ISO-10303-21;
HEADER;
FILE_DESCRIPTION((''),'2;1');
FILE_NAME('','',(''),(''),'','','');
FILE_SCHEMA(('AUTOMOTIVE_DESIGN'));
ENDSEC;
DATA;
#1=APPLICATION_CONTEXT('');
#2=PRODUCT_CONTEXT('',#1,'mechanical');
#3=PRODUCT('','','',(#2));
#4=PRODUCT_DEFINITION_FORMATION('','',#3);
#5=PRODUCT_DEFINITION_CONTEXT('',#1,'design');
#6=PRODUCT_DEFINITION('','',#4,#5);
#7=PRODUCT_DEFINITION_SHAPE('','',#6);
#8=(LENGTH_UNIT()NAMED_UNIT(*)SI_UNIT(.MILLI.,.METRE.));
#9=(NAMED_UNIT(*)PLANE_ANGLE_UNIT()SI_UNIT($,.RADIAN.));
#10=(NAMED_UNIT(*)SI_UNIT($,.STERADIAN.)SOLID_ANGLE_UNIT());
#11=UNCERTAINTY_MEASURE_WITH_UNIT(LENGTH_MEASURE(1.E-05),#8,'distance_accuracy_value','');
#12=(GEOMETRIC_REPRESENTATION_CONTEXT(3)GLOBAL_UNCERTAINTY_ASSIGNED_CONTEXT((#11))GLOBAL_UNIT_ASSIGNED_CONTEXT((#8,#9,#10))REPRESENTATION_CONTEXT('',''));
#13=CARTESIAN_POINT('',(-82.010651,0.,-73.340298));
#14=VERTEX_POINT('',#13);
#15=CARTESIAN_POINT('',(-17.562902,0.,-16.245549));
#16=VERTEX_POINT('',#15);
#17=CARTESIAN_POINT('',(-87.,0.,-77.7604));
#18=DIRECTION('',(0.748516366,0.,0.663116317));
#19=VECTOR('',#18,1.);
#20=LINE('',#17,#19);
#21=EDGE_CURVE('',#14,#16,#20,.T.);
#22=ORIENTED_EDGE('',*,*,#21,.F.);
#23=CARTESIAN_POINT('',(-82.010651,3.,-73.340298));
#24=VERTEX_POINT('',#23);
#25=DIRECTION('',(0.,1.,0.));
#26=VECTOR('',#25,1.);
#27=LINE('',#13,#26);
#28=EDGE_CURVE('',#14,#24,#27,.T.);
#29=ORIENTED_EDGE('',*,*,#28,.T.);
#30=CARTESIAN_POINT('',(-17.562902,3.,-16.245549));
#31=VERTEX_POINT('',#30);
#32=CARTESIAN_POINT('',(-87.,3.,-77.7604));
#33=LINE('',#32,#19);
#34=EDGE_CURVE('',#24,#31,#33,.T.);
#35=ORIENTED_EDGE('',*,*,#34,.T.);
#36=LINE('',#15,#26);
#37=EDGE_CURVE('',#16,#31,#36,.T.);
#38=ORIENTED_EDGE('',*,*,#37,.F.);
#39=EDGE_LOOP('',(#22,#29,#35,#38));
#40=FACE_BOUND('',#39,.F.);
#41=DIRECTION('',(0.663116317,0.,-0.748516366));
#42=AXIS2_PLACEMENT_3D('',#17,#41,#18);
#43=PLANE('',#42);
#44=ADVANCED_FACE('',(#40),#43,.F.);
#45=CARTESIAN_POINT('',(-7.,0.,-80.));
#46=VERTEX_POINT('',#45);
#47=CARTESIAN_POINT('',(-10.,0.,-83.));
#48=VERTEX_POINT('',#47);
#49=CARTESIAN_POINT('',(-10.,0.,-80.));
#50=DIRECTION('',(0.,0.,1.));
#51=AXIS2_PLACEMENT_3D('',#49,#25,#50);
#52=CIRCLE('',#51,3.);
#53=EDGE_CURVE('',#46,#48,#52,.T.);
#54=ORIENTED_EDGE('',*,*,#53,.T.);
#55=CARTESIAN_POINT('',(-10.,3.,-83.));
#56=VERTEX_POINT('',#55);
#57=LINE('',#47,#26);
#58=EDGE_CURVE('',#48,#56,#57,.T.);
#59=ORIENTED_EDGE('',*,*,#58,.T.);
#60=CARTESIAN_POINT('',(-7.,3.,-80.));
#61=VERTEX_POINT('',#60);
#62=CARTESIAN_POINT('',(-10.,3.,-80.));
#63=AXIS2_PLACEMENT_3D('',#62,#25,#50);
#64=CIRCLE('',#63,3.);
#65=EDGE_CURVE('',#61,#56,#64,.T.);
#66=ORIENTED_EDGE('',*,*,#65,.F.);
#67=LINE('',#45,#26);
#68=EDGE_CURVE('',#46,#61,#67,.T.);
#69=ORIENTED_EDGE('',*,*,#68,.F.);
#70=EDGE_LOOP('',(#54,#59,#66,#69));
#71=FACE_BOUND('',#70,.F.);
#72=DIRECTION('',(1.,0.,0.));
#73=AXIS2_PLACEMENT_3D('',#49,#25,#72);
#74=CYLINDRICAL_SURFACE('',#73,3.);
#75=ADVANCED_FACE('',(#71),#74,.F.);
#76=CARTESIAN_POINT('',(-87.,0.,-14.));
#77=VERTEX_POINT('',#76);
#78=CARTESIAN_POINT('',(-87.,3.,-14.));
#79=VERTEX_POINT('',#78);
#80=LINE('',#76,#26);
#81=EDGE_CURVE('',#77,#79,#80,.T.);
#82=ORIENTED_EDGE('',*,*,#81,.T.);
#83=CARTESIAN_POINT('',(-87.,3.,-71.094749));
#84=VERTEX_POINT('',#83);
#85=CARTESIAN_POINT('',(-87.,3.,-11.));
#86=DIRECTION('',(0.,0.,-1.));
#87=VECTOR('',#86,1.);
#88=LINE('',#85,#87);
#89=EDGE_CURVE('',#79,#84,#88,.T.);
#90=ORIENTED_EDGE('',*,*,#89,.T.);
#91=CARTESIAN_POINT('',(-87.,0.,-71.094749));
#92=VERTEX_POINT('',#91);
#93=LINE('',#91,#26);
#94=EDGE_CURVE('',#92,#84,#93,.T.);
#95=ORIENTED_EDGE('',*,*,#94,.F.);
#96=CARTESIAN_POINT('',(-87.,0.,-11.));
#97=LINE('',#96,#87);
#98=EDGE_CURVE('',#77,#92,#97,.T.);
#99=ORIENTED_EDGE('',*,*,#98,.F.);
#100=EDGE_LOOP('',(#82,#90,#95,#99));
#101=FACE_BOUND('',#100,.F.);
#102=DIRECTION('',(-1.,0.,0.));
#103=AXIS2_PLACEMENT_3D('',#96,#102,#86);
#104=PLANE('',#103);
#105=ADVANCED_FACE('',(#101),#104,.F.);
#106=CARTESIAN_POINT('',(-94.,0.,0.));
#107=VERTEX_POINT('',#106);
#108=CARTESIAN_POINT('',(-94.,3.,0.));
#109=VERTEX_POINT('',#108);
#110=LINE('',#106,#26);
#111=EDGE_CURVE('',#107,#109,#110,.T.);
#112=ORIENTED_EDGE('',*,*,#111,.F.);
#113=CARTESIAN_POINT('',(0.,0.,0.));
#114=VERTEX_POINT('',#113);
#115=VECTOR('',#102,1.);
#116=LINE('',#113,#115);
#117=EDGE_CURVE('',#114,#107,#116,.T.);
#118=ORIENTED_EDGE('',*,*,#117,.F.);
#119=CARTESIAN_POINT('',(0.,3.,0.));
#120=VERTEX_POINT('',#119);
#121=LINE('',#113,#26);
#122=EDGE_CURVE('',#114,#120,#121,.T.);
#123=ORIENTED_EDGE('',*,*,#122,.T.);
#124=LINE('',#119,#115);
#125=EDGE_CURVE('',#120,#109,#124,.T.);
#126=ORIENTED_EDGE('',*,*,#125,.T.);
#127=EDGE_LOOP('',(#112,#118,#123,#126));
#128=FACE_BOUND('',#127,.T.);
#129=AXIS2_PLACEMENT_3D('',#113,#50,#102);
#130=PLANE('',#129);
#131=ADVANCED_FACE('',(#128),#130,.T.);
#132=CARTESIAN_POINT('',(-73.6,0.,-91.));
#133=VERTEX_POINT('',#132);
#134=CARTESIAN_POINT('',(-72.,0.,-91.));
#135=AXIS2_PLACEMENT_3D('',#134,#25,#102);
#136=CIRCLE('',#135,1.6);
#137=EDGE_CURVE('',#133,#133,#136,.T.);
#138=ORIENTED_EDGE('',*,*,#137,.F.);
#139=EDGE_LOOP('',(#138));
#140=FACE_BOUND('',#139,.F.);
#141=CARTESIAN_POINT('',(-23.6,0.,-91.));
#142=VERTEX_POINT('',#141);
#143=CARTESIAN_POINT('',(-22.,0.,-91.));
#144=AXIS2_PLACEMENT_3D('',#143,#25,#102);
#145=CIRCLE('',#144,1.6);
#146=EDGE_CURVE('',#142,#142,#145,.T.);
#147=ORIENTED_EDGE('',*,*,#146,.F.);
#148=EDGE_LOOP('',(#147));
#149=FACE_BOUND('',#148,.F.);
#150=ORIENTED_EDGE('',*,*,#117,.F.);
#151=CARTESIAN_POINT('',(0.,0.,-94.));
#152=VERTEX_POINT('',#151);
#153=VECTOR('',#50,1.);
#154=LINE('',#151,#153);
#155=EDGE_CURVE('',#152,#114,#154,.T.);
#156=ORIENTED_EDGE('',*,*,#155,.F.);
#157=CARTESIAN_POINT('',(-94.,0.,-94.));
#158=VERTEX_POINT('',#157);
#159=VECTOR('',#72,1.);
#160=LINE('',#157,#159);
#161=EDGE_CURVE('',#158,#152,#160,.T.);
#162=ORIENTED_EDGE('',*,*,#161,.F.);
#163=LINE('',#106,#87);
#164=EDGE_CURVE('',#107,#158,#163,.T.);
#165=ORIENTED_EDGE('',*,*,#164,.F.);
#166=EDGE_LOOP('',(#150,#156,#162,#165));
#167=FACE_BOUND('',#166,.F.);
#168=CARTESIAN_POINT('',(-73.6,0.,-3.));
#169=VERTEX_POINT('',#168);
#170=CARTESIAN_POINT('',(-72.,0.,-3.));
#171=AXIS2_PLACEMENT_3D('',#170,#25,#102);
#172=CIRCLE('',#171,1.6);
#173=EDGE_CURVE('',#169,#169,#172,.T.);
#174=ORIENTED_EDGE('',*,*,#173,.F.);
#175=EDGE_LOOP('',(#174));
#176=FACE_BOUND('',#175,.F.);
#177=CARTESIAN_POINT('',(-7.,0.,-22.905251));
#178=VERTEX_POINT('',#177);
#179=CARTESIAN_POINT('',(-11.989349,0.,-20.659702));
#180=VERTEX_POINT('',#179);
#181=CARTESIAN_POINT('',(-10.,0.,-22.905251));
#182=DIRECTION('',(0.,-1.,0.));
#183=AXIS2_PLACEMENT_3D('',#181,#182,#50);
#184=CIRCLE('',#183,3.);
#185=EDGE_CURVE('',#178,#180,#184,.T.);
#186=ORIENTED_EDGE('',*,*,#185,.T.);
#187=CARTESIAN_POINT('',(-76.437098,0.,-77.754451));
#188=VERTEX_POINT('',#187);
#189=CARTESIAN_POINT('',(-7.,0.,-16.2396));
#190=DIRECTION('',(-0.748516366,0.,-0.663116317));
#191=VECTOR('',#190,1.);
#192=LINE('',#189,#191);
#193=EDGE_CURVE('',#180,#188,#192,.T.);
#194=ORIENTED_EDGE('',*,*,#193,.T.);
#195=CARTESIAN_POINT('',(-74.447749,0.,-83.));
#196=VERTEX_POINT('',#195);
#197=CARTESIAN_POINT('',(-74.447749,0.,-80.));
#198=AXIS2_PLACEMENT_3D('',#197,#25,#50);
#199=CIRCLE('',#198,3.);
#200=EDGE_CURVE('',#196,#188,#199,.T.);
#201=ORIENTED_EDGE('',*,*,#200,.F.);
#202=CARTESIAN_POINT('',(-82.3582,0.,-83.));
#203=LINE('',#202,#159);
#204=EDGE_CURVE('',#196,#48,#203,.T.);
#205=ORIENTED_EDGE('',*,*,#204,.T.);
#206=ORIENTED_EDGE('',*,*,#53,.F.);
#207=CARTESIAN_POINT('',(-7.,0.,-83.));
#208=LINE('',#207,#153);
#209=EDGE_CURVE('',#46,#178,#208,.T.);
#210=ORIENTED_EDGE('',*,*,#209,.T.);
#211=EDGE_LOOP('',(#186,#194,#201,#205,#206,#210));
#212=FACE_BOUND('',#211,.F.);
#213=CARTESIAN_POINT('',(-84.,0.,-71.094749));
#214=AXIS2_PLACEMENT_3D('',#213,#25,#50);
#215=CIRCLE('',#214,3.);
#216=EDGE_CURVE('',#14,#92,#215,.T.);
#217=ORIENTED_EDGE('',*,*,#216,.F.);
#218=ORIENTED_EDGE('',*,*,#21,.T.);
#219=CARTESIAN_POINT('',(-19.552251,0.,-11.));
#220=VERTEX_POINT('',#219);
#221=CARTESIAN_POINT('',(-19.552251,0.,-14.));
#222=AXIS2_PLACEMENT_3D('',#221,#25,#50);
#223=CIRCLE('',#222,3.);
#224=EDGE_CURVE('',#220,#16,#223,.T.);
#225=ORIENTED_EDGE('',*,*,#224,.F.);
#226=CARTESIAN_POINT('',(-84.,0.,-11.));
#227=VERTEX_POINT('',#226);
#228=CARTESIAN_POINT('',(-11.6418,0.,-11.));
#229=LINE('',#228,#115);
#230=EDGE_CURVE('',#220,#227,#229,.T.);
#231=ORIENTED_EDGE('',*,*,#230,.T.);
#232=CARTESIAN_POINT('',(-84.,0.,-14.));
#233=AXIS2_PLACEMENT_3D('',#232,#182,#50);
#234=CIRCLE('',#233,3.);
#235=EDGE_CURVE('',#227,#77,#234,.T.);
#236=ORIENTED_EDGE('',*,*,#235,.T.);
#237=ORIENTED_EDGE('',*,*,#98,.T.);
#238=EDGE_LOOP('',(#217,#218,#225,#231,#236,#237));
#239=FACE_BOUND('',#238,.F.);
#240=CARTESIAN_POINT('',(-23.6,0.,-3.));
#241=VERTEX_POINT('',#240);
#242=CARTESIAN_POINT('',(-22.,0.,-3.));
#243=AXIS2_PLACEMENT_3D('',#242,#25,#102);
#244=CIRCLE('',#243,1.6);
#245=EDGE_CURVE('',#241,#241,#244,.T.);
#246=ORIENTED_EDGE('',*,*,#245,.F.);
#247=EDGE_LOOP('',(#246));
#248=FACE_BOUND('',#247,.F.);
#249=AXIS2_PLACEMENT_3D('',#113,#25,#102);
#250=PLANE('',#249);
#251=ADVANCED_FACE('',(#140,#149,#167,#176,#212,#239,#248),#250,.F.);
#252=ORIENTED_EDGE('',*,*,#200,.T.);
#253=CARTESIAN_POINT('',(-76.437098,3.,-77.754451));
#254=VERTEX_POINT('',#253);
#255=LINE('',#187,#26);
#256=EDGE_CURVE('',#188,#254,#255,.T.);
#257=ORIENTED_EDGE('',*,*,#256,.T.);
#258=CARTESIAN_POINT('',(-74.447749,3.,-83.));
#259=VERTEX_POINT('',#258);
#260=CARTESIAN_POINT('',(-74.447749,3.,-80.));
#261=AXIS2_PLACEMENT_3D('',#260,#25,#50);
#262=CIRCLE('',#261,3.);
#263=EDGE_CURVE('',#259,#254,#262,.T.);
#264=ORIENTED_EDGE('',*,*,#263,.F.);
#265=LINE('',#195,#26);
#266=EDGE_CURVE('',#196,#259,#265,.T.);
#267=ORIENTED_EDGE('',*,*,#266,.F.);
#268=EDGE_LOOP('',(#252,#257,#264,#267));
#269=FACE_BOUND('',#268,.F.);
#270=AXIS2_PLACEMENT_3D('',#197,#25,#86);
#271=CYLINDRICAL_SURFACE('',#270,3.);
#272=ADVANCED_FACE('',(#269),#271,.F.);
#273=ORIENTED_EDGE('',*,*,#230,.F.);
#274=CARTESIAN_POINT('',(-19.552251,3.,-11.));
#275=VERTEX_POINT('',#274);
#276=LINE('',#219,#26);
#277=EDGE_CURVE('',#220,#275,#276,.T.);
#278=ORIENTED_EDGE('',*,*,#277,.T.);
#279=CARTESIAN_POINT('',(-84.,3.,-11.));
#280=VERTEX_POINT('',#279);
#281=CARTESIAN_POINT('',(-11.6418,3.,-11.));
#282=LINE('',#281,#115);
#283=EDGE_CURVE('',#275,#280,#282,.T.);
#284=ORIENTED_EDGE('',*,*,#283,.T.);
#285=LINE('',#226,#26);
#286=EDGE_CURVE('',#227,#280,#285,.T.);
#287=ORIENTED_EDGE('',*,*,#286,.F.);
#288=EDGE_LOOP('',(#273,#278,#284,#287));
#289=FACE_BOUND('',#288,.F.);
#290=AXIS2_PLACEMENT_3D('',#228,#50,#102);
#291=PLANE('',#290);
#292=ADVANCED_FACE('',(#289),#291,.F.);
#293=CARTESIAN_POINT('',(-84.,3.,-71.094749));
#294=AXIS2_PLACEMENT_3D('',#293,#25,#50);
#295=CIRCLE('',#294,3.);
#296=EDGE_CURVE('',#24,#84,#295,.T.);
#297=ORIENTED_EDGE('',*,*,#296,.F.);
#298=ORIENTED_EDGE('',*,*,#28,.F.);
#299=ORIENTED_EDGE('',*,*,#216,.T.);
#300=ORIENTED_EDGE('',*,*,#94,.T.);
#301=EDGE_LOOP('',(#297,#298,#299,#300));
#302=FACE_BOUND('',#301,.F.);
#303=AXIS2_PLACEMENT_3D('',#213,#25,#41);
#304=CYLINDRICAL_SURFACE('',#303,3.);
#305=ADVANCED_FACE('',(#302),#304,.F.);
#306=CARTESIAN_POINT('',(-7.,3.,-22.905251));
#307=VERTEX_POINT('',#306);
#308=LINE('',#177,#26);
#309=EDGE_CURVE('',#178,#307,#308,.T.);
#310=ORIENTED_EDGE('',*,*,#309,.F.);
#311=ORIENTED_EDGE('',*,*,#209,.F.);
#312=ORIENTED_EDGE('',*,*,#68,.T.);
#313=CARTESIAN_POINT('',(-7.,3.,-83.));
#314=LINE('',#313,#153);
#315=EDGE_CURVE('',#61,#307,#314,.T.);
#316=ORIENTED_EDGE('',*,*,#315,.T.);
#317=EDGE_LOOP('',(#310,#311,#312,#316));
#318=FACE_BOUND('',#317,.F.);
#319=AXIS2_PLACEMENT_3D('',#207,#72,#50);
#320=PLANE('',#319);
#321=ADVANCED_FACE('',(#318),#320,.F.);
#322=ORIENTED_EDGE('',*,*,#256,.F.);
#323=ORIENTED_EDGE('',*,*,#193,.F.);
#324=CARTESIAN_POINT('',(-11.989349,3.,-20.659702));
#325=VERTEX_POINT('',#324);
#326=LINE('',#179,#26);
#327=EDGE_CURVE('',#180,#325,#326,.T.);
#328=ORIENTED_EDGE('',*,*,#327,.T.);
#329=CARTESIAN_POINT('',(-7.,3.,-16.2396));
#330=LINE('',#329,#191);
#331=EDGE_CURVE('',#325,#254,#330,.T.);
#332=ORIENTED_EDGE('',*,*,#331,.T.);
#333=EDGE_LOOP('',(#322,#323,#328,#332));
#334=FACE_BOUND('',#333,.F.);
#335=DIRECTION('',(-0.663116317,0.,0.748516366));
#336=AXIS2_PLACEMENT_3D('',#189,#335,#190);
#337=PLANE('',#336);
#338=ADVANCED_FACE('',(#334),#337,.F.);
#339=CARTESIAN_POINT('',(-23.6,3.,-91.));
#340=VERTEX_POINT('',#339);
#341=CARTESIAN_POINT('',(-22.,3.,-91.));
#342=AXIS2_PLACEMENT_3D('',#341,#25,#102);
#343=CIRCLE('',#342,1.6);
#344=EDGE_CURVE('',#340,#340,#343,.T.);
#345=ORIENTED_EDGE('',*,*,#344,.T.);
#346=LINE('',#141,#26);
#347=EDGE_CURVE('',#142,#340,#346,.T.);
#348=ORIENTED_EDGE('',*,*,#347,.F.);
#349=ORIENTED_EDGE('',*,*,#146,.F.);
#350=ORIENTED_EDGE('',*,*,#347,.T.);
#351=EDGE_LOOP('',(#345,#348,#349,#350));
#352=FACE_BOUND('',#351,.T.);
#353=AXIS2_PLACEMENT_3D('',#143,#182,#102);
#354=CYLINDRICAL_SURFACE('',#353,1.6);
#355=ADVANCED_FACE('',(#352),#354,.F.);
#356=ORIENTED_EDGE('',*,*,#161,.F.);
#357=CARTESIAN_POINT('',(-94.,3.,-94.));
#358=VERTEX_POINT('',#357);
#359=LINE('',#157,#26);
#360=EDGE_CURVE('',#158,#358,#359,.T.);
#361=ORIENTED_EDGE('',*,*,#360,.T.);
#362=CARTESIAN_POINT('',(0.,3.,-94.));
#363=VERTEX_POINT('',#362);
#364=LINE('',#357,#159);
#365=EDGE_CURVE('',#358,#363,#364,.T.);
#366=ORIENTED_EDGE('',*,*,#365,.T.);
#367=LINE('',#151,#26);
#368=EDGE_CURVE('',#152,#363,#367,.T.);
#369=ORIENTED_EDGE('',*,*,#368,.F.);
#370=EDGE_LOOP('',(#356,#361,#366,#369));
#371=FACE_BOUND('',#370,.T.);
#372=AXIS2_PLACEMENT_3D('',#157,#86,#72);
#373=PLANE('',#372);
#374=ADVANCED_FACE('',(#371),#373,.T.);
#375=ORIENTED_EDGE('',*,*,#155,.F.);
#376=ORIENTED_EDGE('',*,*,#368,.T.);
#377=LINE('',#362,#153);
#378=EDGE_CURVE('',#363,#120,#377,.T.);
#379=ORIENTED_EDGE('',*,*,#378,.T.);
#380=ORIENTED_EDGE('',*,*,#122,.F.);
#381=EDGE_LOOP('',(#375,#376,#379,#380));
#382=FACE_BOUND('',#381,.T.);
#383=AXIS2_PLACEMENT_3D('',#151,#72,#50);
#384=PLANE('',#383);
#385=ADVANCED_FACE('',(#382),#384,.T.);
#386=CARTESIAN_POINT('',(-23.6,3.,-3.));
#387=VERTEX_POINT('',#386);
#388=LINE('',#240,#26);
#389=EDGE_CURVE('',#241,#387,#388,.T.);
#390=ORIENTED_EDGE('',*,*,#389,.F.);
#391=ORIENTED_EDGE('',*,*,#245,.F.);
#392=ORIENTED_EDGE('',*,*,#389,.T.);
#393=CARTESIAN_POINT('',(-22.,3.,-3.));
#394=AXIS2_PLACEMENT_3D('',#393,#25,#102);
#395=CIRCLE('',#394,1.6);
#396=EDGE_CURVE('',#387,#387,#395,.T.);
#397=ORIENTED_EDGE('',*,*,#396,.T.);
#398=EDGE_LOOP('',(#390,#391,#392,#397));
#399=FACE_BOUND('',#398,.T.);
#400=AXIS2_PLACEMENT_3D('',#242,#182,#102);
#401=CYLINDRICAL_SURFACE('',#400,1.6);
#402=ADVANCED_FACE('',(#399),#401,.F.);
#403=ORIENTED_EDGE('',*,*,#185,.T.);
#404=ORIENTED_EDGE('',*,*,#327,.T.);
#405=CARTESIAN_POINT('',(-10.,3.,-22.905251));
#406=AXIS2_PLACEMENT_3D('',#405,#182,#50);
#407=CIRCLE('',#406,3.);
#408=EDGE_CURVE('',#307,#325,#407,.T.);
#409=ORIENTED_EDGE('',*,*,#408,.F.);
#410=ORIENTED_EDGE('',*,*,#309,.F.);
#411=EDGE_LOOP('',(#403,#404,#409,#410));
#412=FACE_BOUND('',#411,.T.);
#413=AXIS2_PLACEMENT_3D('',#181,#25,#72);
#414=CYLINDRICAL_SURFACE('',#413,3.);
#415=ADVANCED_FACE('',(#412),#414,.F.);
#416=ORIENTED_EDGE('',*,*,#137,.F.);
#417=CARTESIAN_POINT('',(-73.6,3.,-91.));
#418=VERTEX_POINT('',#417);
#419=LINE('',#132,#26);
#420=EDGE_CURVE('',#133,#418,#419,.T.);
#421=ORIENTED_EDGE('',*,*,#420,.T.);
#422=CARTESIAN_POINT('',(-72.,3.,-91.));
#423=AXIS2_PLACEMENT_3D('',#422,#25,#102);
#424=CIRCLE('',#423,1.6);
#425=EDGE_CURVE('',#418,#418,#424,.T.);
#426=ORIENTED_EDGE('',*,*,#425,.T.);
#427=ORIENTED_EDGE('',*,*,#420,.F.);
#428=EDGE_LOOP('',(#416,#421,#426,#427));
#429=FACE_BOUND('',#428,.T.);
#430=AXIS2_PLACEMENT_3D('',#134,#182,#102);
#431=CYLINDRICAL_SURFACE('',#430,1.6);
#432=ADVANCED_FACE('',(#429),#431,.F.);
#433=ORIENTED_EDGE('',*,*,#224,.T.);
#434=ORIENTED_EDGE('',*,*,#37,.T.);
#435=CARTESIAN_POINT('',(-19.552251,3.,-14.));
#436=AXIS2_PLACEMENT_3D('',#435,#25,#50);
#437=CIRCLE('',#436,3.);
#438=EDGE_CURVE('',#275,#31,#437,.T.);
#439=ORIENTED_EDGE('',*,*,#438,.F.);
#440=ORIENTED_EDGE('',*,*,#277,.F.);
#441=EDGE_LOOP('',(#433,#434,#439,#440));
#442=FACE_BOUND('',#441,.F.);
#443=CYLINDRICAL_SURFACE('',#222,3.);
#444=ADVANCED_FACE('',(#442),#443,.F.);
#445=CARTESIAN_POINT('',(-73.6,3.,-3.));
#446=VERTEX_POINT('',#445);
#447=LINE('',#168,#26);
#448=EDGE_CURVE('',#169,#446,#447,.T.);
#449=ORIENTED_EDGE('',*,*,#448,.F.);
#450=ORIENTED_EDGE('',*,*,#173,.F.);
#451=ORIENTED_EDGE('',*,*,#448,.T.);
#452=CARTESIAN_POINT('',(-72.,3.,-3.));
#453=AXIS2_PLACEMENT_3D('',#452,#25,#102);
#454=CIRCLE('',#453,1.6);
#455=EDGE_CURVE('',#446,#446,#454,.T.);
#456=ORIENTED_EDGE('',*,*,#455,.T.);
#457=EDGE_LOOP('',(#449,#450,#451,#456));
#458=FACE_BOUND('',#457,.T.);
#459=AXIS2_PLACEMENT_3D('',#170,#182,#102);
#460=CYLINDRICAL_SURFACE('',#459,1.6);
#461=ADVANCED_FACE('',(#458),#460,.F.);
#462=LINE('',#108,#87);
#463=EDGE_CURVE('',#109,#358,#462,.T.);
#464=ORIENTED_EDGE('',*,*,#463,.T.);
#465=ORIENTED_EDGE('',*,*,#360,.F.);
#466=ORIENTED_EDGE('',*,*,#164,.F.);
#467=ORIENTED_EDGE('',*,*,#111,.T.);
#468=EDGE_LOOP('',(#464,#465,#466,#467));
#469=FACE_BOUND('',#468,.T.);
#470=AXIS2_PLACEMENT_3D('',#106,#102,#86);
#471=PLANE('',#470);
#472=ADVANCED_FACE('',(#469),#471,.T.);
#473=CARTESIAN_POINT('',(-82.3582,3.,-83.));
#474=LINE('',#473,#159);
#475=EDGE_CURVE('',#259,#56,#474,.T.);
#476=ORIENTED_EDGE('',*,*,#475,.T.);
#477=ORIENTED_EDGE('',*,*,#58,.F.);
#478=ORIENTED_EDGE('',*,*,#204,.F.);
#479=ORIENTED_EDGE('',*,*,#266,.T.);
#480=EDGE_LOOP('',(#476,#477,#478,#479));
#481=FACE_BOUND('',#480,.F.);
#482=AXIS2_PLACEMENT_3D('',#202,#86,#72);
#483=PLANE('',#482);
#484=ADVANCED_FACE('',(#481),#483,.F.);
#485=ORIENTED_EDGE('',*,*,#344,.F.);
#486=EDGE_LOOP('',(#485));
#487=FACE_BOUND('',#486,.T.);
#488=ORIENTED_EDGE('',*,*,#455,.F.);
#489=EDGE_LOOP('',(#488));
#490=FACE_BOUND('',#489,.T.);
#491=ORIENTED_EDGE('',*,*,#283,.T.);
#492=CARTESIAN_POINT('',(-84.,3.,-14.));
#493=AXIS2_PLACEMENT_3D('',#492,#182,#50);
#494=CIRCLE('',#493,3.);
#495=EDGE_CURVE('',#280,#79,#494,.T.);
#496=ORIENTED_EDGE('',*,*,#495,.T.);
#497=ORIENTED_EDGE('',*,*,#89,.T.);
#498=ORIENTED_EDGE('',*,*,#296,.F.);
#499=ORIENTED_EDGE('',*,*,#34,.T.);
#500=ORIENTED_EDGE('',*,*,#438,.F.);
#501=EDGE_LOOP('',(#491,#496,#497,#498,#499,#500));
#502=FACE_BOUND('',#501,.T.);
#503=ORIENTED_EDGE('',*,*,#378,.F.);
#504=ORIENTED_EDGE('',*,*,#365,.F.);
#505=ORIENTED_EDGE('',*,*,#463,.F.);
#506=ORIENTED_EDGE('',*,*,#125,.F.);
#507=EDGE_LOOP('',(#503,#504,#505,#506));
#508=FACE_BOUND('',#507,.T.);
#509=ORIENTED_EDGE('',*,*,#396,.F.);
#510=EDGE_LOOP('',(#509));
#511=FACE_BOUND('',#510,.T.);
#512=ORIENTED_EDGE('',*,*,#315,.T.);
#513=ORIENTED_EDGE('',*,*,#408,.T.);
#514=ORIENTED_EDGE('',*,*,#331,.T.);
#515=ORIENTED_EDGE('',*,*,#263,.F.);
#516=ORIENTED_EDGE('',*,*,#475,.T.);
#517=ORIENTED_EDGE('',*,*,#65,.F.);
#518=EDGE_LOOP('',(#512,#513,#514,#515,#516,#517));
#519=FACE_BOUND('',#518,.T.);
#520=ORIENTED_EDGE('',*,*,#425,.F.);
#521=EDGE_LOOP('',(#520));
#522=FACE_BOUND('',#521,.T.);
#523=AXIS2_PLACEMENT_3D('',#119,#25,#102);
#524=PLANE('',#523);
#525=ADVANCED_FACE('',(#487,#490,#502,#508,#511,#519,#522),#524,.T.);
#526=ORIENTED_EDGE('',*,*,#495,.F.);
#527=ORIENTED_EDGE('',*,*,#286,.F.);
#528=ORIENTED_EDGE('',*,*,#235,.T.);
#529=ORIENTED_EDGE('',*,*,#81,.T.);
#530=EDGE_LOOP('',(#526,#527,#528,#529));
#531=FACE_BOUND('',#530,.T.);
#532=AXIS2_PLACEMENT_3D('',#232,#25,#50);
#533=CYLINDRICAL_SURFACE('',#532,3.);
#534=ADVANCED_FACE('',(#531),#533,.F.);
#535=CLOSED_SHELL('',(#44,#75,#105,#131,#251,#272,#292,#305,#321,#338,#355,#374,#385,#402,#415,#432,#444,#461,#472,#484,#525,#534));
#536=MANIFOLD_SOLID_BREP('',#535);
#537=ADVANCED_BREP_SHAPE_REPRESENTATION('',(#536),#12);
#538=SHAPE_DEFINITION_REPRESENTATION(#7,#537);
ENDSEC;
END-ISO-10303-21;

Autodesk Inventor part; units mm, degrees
ref_plane "YZ Plane" through (0, 0, 0) normal (1, 0, 0) x (0, 1, 0)
ref_plane "XZ Plane" through (0, 0, 0) normal (0, 1, 0) x (-1, 0, 0)
ref_plane "XY Plane" through (0, 0, 0) normal (0, 0, 1) x (1, 0, 0)
sketch "Sketch1" plane through (0, 0, 0) normal (0, 1, 0) x (-1, 0, 0)
  line L0 (0, 0) -> (94, 0)
  line L1 (94, -94) -> (0, -94)
  line L2 (0, -94) -> (0, 0)
  line L3 (94, 0) -> (0, 0) construction
  line L4 (0, 0) -> (0, -6) construction
  line L5 (0, -6) -> (94, -6) construction
  line L6 (94, -6) -> (94, 0) construction
  line L7 (0, -94) -> (94, -94) construction
  line L8 (94, -94) -> (94, -88) construction
  line L9 (94, -88) -> (0, -88) construction
  line L10 (0, -88) -> (0, -94) construction
  line L11 (94, 0) -> (94, -94)
  circle A0 centre (72, -3) radius 1.6
  circle A1 centre (22, -3) radius 1.6
  circle A2 centre (72, -91) radius 1.6
  circle A3 centre (22, -91) radius 1.6
  line L12 (87, -11) -> (87, -77.7604)
  line L13 (87, -77.7604) -> (11.6418, -11)
  line L14 (11.6418, -11) -> (87, -11)
  line L15 (7, -16.2396) -> (82.3582, -83)
  line L16 (82.3582, -83) -> (7, -83)
  line L17 (7, -83) -> (7, -16.2396)
  line L18 (82.3582, -83) -> (87, -77.7604) construction
  line L19 (11.6418, -11) -> (7, -16.2396) construction
  point P0 (47, -6)
  dimension "d0" = 94
  dimension "d1" = 6
  dimension "d2" = 3
  dimension "d3" = 3.2
  dimension "d6" = 94
  dimension "d7" = 3
  dimension "d10" = 25
  dimension "d11" = 50
  dimension "d12" = 7
  dimension "d13" = 5
  dimension "d14" = 7
  dimension "d15" = 5
  dimension "d16" = 7
extrude "Extrusion1" add sketch "Sketch1" along normal blind 3
fillet "Fillet1" radius 3 6 edges at (-87, 1.5, -77.7604) (-82.3582, 1.5, -83) (-7, 1.5, -16.2396) (-11.6418, 1.5, -11) (-87, 1.5, -11) (-7, 1.5, -83)
equation "\"d11\" = 2 * d10"
equation "\"d13\" = d15"
equation "\"d14\" = d12"
properties part number "FrontPanel"
